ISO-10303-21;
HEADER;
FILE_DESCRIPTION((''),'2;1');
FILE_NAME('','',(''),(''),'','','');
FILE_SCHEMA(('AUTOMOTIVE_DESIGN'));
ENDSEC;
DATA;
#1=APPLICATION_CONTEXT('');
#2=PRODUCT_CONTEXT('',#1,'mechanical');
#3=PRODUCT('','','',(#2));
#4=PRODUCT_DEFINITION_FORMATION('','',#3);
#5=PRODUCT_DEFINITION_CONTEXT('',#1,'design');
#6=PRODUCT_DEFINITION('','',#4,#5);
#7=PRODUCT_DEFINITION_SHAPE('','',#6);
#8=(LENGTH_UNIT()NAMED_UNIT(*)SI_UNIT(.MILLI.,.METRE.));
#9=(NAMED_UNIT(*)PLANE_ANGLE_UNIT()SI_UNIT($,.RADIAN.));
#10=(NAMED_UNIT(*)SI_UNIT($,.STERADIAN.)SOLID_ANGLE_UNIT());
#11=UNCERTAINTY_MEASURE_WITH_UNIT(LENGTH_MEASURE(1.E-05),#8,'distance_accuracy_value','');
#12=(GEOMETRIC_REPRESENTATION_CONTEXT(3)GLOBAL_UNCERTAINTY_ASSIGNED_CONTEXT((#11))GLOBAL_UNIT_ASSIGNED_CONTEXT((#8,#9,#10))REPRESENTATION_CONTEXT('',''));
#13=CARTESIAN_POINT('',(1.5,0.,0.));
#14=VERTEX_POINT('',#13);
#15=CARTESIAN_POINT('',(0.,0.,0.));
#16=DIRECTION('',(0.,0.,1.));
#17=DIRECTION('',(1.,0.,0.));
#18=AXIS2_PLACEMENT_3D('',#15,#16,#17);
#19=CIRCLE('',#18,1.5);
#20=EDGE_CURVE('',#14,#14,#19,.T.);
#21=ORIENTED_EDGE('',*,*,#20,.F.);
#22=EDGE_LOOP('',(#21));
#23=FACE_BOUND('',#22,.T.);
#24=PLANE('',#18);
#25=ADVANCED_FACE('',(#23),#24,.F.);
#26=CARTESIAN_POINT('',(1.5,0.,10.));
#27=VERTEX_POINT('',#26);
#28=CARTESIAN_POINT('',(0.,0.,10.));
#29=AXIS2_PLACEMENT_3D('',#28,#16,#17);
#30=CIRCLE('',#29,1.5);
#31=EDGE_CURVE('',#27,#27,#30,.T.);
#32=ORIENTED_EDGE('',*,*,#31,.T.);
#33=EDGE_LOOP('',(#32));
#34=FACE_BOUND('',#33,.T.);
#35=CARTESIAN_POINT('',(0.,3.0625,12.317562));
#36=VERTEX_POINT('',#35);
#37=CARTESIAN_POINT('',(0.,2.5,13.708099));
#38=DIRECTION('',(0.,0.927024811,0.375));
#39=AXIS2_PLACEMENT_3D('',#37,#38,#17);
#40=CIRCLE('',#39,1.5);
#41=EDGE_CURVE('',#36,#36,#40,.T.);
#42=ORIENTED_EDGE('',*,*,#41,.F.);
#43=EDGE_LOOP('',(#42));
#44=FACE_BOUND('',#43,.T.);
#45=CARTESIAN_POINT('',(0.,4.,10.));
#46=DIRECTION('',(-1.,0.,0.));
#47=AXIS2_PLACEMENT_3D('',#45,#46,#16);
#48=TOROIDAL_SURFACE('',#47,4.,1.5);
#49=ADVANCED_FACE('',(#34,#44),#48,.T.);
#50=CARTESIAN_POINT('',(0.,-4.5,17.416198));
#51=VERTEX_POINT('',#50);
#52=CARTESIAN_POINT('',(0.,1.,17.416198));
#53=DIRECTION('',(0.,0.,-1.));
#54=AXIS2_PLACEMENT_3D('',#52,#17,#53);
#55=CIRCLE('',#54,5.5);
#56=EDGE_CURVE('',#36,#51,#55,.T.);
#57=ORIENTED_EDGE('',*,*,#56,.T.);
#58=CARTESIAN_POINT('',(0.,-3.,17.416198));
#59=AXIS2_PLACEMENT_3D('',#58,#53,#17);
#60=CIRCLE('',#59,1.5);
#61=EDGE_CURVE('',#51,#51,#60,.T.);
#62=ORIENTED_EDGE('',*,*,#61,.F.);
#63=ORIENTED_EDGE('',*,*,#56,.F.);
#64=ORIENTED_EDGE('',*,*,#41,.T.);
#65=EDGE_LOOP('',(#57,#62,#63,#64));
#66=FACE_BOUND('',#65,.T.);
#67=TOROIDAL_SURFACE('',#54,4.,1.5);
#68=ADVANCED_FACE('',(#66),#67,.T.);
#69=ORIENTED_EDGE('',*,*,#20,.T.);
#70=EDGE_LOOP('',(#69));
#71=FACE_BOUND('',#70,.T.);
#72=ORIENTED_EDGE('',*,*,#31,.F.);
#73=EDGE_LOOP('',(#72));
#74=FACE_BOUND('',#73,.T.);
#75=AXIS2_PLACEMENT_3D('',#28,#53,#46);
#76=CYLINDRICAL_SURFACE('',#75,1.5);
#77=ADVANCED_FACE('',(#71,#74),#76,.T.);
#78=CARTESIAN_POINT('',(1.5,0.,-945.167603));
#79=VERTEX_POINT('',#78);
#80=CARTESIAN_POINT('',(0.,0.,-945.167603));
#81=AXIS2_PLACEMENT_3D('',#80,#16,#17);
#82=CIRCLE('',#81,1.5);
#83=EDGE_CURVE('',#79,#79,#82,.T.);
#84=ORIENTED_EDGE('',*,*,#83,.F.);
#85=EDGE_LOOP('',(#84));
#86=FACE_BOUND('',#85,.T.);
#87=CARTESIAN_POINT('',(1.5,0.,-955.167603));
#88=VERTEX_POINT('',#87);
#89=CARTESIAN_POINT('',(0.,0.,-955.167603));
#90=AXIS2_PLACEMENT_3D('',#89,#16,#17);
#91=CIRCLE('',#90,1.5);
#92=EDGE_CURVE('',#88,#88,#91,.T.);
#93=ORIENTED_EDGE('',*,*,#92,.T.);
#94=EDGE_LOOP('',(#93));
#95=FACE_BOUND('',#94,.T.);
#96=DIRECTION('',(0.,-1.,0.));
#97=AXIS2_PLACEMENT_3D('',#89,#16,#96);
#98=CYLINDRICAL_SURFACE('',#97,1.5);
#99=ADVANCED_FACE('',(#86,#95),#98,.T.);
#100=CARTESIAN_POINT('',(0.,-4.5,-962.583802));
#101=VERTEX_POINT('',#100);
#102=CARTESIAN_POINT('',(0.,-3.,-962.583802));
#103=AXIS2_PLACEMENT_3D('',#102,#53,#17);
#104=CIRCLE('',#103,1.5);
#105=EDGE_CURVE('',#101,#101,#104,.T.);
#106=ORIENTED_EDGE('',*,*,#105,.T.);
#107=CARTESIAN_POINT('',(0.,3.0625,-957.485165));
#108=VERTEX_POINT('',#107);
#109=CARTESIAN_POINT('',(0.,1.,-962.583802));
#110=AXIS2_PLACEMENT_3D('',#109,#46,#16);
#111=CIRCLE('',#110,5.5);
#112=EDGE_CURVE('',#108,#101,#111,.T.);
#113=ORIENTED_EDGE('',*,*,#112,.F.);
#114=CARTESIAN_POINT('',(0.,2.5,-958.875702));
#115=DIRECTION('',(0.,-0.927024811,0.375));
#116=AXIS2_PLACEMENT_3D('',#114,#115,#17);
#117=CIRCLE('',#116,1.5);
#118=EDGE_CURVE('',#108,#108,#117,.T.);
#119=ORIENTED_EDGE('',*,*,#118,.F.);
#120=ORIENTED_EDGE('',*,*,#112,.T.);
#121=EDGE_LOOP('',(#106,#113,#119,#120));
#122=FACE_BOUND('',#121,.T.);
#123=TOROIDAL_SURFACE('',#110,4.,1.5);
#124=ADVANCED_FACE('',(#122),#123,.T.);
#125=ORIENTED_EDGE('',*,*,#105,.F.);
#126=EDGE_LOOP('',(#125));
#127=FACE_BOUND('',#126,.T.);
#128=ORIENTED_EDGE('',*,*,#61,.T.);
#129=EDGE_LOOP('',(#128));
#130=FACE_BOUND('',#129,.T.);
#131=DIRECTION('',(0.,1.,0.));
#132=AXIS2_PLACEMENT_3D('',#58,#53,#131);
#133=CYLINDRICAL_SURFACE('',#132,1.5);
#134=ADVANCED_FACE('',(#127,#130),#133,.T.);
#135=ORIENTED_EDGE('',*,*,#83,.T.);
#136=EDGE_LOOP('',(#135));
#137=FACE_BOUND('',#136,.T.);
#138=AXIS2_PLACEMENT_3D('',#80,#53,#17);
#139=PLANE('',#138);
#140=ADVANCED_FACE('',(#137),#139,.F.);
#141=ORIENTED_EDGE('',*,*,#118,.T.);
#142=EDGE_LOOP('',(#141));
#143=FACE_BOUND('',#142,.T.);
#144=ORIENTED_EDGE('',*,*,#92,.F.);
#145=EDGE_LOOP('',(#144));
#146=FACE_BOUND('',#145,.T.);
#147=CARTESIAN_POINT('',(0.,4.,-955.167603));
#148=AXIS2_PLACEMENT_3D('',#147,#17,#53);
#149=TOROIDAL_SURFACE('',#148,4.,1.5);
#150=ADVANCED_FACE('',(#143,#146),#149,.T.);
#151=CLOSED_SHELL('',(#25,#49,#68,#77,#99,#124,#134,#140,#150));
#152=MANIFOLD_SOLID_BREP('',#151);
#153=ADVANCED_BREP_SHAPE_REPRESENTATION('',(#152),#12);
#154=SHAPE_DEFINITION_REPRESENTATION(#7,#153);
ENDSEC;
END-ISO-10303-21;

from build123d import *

# Parameters (mm, degrees)
SKETCH1_R = 1.5


with BuildPart() as part:
    # Sweep1: sweep along a path in Sketch2
    with BuildLine(Plane(origin=(0, 0, 0), x_dir=(0, 0, -1), z_dir=(1, 0, 0))) as sweep1_path:
        Line((472.583801513, -3), (-17.416198487, -3))
        ThreePointArc((-17.416198487, -3), (-20.732823277, 3.236067977), (-13.708099244, 2.5))
        ThreePointArc((-13.708099244, 2.5), (-12.236067977, 0.68337521), (-10, 0))
        Line((-10, 0), (0, 0))
    # Sketch1 → Sweep1 (sweep)
    with BuildSketch(Plane.XY):
        Circle(SKETCH1_R)
    sweep1 = sweep(path=sweep1_path.line)

    # Mirror1: Sweep1 across plane
    add(sweep1.mirror(Plane(origin=(0, -3, -472.583801513), x_dir=(1, 0, 0), z_dir=(0, 0, -1))))


solid = part.part
